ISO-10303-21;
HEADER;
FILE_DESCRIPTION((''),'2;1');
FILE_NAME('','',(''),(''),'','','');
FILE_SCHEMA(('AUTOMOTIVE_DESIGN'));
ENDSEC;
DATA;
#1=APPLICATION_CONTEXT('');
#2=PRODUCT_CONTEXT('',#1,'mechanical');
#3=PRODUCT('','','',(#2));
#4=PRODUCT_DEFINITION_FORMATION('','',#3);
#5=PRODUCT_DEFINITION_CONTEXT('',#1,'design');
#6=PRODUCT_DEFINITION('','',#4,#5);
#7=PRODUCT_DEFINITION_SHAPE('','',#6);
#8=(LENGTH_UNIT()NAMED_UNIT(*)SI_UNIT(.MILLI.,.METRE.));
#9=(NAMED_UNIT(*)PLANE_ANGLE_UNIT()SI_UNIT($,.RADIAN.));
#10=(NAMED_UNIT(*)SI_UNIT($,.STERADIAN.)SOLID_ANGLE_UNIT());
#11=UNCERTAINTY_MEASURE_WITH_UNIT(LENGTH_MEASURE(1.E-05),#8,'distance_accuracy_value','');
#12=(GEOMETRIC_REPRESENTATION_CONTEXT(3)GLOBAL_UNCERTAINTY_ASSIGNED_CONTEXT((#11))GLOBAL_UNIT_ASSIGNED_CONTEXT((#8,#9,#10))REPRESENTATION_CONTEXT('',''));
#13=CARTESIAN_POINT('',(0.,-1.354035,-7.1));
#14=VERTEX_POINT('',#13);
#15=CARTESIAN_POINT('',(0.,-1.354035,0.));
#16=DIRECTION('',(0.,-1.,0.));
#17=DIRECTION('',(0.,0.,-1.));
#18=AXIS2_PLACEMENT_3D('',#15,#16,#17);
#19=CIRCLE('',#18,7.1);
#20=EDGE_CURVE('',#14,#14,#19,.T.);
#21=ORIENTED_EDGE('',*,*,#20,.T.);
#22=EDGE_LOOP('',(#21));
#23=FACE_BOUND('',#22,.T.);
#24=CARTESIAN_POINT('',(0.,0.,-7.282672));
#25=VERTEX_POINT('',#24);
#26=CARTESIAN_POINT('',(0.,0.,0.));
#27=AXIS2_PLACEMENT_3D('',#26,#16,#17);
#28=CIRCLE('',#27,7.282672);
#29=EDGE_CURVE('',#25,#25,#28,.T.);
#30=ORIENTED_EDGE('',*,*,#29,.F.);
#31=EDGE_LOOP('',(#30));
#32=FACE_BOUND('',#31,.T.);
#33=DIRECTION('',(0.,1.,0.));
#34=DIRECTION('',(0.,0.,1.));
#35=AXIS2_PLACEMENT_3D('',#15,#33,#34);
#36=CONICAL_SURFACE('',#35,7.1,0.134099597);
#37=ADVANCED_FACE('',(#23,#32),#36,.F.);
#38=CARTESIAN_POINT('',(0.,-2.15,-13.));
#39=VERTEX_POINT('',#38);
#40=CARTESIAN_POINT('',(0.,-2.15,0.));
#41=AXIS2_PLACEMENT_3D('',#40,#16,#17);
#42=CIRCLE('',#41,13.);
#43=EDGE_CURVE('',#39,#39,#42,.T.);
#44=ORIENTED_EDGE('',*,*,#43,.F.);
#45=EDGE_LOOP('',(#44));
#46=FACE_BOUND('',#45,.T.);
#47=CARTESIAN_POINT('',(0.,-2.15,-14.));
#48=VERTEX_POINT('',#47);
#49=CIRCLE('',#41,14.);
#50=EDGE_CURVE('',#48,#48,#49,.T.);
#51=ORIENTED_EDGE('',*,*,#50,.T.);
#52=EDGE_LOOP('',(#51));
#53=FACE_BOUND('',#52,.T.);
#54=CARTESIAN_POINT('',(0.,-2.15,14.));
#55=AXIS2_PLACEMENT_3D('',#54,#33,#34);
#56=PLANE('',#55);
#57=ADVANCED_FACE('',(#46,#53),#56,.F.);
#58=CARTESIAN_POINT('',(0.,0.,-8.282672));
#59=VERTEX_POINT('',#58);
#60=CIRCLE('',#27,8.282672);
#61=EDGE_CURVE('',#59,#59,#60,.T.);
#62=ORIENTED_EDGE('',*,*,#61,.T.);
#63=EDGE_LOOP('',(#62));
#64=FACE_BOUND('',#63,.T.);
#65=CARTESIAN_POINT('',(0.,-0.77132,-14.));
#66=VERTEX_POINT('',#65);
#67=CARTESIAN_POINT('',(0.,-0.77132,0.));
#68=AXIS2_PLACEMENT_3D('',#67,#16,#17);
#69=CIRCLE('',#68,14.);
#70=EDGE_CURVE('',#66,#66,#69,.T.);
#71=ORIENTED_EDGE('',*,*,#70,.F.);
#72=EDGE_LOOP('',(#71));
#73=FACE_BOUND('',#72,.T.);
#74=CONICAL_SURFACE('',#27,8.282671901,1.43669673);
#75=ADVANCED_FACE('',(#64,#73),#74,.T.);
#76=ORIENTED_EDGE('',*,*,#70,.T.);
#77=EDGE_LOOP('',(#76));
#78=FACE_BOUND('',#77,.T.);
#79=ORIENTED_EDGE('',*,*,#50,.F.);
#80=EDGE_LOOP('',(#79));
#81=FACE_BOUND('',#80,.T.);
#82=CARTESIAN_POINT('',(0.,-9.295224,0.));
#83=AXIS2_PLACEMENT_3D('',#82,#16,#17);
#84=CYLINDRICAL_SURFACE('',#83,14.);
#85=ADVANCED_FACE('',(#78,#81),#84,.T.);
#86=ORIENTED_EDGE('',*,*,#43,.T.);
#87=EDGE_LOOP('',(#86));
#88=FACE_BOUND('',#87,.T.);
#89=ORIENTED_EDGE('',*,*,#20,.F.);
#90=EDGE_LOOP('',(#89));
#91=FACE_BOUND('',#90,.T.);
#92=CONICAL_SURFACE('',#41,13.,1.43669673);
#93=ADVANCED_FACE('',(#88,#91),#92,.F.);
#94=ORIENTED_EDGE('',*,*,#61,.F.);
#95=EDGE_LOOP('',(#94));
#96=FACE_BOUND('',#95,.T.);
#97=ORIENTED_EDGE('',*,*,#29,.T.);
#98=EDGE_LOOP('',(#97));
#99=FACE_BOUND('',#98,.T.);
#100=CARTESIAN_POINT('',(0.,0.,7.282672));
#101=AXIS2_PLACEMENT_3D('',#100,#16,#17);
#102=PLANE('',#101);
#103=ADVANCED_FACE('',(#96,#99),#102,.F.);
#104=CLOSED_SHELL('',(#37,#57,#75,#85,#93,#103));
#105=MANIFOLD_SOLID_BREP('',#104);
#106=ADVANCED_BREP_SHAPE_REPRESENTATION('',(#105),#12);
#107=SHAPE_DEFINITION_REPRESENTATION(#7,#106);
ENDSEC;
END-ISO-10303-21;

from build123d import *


with BuildPart() as part:
    # Sketch1 → Revolve1 (revolve)
    with BuildSketch(Plane(origin=(0, 0, 0), x_dir=(0, 0, -1), z_dir=(1, 0, 0))):
        Polygon((-14, -2.15), (-13, -2.15), (-7.1, -1.354035453), (-7.282671901, 0), (-8.282671901, 0), (-14, -0.771320419), align=None)
    revolve(axis=Axis((0, -9.295223809, 0), (0, 1, 0)))


solid = part.part
